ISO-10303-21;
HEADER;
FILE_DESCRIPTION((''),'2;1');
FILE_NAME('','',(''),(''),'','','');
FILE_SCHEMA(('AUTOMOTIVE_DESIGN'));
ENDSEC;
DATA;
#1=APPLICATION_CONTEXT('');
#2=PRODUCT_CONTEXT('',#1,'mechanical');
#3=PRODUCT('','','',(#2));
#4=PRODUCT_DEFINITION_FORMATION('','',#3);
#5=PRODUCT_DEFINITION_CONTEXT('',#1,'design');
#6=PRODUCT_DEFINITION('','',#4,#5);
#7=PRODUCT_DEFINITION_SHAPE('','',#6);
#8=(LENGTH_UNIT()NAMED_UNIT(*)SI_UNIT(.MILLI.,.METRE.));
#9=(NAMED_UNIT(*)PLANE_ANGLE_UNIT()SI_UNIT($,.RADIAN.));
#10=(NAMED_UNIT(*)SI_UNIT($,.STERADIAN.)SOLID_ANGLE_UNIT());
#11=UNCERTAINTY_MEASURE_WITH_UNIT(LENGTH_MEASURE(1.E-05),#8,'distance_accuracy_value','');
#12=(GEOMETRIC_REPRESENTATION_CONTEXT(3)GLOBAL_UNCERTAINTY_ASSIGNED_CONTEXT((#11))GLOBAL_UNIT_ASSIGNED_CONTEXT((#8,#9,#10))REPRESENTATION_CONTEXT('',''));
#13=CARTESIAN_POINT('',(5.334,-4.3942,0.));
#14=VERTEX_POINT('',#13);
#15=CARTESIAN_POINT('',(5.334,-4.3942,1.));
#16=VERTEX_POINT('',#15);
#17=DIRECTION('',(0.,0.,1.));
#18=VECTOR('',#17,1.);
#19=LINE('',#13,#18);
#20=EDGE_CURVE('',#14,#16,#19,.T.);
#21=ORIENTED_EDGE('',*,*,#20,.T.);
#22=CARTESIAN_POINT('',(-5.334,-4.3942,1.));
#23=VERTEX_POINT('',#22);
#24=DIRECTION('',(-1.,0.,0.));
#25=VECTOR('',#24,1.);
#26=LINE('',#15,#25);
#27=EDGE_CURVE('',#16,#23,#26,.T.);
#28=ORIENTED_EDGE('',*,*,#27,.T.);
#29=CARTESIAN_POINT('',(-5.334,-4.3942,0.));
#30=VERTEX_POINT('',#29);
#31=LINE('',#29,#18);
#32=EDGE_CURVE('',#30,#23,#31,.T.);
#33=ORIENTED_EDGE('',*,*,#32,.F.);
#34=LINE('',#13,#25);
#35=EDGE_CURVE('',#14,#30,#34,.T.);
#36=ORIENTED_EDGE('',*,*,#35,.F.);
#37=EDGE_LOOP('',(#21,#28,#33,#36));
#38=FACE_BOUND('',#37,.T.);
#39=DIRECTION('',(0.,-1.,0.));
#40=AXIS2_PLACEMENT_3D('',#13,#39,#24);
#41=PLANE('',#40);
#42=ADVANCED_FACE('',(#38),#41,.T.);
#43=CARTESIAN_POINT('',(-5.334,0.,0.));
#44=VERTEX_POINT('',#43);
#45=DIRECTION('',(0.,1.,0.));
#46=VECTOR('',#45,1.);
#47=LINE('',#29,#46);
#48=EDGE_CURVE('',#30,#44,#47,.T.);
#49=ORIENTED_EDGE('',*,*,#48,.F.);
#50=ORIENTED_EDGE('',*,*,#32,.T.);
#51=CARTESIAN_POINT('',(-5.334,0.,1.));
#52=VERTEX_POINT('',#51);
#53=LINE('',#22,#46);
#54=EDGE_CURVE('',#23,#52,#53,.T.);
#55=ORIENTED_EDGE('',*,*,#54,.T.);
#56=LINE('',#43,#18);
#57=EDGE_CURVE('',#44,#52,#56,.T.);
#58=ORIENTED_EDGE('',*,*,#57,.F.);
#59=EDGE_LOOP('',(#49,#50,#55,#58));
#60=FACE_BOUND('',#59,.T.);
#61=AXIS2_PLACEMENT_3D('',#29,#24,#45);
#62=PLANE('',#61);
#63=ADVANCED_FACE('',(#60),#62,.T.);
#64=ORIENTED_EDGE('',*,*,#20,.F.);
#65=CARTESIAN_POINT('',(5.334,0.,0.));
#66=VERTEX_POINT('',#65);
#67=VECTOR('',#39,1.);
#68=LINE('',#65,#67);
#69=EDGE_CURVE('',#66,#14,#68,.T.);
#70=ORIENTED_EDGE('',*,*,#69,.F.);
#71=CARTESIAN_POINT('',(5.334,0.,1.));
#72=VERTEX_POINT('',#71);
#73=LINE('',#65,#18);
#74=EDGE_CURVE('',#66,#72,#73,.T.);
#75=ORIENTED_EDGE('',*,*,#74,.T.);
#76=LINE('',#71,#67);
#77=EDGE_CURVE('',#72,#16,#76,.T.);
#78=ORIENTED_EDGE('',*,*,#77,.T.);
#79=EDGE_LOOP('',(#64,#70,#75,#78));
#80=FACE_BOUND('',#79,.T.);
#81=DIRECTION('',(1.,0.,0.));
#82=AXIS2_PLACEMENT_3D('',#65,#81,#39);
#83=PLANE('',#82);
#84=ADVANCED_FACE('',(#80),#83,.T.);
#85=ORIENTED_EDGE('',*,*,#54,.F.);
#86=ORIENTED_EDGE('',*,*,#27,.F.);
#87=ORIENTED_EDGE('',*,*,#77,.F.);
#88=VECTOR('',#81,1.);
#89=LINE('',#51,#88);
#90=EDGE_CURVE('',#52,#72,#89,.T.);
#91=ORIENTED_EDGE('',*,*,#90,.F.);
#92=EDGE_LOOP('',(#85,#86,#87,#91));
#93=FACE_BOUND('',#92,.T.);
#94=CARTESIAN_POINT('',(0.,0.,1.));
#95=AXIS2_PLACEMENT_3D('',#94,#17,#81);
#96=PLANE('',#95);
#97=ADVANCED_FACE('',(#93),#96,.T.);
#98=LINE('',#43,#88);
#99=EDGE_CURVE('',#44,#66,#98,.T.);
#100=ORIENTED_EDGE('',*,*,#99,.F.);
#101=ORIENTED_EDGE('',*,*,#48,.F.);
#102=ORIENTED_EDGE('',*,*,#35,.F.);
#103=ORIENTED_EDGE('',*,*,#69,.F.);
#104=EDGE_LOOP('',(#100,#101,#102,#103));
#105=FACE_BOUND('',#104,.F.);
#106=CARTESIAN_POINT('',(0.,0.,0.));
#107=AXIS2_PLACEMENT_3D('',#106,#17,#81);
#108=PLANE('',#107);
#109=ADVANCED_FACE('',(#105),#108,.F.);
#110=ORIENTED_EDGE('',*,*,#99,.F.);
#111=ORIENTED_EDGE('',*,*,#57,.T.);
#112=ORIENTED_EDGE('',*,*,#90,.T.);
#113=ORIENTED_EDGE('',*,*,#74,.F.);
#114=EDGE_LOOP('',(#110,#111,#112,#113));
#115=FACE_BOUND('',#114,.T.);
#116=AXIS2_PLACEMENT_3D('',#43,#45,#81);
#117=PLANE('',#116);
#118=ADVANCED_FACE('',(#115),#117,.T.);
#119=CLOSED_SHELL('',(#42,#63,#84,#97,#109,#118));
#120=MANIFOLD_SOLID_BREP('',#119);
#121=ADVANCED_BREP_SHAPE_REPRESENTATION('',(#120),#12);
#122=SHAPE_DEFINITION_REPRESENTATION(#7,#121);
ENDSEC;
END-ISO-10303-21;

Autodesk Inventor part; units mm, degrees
ref_plane "YZ Plane" through (0, 0, 0) normal (1, 0, 0) x (0, 1, 0)
ref_plane "XZ Plane" through (0, 0, 0) normal (0, 1, 0) x (-1, 0, 0)
ref_plane "XY Plane" through (0, 0, 0) normal (0, 0, 1) x (1, 0, 0)
sketch "78XXS, IC1_78XXS_22" plane through (0, 0, 0) normal (0, 0, 1) x (1, 0, 0)
  line L0 (-5.334, 0) -> (5.334, 0)
  line L1 (5.334, 0) -> (5.334, -4.3942)
  line L2 (5.334, -4.3942) -> (-5.334, -4.3942)
  line L3 (-5.334, -4.3942) -> (-5.334, 0)
extrude "Extrusion1" add sketch "78XXS, IC1_78XXS_22" along normal blind 1
properties part number "IC1_78XXS"
